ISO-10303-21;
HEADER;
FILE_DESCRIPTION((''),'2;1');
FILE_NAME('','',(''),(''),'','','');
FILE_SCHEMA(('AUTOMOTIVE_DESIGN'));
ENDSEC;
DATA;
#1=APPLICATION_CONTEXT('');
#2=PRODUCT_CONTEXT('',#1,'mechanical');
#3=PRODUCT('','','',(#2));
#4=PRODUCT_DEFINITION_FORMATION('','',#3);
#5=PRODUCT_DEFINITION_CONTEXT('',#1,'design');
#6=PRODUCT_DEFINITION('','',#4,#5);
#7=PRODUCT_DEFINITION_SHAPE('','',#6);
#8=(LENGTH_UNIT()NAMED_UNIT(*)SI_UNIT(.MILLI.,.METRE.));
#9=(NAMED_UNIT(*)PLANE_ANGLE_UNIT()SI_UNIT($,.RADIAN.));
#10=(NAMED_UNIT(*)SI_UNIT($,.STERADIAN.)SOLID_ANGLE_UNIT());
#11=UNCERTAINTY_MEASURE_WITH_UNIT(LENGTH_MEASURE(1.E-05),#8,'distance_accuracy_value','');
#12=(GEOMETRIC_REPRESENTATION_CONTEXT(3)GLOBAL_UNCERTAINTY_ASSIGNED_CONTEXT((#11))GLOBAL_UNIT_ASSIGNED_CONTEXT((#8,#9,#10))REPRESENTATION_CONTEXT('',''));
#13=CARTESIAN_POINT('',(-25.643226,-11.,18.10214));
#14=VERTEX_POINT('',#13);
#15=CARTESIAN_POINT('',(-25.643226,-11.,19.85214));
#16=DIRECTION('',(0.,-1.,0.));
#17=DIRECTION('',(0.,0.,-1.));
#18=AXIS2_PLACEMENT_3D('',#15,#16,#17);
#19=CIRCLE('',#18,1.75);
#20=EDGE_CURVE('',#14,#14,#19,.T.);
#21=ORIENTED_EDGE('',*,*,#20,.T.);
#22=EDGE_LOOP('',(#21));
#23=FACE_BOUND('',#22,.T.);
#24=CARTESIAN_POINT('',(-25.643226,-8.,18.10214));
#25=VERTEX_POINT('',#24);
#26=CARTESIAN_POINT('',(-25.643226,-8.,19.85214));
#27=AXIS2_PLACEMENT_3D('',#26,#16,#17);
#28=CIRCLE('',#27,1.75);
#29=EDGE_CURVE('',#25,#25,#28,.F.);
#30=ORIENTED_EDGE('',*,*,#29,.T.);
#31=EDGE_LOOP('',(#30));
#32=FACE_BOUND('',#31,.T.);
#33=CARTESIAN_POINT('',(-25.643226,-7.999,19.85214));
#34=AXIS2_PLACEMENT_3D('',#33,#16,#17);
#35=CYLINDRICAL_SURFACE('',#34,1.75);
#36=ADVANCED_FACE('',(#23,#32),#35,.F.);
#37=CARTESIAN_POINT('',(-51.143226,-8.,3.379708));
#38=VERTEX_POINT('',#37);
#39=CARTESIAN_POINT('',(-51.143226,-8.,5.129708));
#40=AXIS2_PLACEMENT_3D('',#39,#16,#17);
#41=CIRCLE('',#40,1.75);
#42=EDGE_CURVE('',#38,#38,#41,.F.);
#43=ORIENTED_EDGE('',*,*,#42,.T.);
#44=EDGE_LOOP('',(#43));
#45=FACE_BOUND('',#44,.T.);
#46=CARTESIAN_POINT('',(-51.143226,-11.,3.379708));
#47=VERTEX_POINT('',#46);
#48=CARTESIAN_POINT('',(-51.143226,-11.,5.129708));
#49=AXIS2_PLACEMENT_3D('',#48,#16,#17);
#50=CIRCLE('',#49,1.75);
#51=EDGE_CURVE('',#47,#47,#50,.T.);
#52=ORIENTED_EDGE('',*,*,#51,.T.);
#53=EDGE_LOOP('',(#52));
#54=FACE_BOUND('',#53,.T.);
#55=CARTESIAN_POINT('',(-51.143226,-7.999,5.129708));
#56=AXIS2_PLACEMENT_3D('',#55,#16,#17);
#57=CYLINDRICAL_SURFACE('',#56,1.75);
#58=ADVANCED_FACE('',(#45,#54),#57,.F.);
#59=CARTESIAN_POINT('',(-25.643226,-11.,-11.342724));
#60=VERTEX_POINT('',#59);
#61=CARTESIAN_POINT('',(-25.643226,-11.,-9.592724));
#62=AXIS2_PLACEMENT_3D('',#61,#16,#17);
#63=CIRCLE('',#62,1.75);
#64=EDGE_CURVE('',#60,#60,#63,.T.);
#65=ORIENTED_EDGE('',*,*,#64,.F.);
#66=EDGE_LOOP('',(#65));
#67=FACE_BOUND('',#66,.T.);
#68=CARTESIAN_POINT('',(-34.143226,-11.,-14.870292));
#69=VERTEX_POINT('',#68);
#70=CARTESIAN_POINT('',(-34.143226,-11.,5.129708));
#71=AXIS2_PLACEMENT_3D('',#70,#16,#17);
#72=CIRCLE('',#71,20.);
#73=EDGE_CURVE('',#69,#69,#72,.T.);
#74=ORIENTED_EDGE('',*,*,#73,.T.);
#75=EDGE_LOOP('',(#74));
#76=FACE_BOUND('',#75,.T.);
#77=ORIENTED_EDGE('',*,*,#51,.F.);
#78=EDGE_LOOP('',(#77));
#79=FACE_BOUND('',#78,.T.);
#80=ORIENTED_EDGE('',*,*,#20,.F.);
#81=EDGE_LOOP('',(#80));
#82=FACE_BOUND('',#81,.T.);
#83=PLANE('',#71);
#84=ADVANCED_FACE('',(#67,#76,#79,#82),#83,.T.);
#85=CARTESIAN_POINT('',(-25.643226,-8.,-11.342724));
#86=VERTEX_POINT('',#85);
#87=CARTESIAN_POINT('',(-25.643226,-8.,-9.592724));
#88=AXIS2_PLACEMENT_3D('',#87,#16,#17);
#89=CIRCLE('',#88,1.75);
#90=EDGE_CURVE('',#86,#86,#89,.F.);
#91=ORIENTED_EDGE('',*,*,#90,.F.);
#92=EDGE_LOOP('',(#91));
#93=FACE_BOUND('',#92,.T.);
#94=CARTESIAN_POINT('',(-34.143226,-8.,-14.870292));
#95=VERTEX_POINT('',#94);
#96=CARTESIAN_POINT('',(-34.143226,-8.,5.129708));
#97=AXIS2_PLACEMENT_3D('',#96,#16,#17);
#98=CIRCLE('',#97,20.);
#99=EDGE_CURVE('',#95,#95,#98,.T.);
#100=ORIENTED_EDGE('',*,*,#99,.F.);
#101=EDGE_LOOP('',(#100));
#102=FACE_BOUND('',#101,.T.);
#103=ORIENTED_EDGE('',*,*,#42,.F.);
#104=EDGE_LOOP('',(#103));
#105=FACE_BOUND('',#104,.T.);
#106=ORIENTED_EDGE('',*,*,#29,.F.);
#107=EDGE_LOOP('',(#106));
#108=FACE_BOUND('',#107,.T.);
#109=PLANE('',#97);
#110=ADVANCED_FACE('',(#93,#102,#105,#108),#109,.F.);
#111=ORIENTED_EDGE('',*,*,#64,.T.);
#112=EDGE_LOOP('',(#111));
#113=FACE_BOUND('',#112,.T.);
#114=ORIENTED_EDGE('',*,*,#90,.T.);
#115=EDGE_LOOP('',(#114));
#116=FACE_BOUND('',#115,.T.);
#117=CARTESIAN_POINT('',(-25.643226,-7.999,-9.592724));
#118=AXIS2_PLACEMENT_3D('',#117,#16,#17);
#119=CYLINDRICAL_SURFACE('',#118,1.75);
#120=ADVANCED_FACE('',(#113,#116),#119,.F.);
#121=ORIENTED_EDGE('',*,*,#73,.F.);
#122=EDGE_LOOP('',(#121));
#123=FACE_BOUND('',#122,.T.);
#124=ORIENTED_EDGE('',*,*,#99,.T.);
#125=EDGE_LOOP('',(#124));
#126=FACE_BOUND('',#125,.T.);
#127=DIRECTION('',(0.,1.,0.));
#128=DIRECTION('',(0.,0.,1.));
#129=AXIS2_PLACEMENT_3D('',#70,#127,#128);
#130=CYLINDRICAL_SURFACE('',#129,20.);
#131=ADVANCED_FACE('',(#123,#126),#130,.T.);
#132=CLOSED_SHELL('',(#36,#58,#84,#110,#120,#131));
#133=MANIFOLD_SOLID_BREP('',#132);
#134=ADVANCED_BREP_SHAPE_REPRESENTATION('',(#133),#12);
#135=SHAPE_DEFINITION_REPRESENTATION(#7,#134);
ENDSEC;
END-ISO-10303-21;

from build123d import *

# Parameters (mm, degrees)
SKETCH1_R           = 20
BOSS_EXTRUDE1_DEPTH = 3
CUT_EXTRUDE1_REACH  = 5
SKETCH2_R           = 1.75


with BuildPart() as part:
    # Sketch1 → Boss-Extrude1 (new body)
    with BuildSketch(Plane.XZ.offset(8)):
        with Locations((-34.143225555, 5.12970783)):
            Circle(SKETCH1_R)
    extrude(amount=BOSS_EXTRUDE1_DEPTH)

    # Sketch2 → Cut-Extrude1 (cut, up to next)
    with BuildSketch(Plane.XZ.offset(11), mode=Mode.PRIVATE) as cut_extrude1_sk1:
        with Locations((-51.143225555, 5.12970783)):
            Circle(SKETCH2_R)
    cut_extrude1_tool1 = extrude(cut_extrude1_sk1.sketch, amount=-CUT_EXTRUDE1_REACH, mode=Mode.PRIVATE) & part.part
    add(cut_extrude1_tool1.solids().sort_by_distance((-51.143226, -11, 5.129708))[0], mode=Mode.SUBTRACT)
    # Sketch2 → Cut-Extrude1 (cut, up to next)
    with BuildSketch(Plane.XZ.offset(11), mode=Mode.PRIVATE) as cut_extrude1_sk2:
        with Locations((-25.643225555, 19.852139695)):
            Circle(SKETCH2_R)
    cut_extrude1_tool2 = extrude(cut_extrude1_sk2.sketch, amount=-CUT_EXTRUDE1_REACH, mode=Mode.PRIVATE) & part.part
    add(cut_extrude1_tool2.solids().sort_by_distance((-25.643226, -11, 19.85214))[0], mode=Mode.SUBTRACT)
    # Sketch2 → Cut-Extrude1 (cut, up to next)
    with BuildSketch(Plane.XZ.offset(11), mode=Mode.PRIVATE) as cut_extrude1_sk3:
        with Locations((-25.643225555, -9.592724034)):
            Circle(SKETCH2_R)
    cut_extrude1_tool3 = extrude(cut_extrude1_sk3.sketch, amount=-CUT_EXTRUDE1_REACH, mode=Mode.PRIVATE) & part.part
    add(cut_extrude1_tool3.solids().sort_by_distance((-25.643226, -11, -9.592724))[0], mode=Mode.SUBTRACT)


solid = part.part
